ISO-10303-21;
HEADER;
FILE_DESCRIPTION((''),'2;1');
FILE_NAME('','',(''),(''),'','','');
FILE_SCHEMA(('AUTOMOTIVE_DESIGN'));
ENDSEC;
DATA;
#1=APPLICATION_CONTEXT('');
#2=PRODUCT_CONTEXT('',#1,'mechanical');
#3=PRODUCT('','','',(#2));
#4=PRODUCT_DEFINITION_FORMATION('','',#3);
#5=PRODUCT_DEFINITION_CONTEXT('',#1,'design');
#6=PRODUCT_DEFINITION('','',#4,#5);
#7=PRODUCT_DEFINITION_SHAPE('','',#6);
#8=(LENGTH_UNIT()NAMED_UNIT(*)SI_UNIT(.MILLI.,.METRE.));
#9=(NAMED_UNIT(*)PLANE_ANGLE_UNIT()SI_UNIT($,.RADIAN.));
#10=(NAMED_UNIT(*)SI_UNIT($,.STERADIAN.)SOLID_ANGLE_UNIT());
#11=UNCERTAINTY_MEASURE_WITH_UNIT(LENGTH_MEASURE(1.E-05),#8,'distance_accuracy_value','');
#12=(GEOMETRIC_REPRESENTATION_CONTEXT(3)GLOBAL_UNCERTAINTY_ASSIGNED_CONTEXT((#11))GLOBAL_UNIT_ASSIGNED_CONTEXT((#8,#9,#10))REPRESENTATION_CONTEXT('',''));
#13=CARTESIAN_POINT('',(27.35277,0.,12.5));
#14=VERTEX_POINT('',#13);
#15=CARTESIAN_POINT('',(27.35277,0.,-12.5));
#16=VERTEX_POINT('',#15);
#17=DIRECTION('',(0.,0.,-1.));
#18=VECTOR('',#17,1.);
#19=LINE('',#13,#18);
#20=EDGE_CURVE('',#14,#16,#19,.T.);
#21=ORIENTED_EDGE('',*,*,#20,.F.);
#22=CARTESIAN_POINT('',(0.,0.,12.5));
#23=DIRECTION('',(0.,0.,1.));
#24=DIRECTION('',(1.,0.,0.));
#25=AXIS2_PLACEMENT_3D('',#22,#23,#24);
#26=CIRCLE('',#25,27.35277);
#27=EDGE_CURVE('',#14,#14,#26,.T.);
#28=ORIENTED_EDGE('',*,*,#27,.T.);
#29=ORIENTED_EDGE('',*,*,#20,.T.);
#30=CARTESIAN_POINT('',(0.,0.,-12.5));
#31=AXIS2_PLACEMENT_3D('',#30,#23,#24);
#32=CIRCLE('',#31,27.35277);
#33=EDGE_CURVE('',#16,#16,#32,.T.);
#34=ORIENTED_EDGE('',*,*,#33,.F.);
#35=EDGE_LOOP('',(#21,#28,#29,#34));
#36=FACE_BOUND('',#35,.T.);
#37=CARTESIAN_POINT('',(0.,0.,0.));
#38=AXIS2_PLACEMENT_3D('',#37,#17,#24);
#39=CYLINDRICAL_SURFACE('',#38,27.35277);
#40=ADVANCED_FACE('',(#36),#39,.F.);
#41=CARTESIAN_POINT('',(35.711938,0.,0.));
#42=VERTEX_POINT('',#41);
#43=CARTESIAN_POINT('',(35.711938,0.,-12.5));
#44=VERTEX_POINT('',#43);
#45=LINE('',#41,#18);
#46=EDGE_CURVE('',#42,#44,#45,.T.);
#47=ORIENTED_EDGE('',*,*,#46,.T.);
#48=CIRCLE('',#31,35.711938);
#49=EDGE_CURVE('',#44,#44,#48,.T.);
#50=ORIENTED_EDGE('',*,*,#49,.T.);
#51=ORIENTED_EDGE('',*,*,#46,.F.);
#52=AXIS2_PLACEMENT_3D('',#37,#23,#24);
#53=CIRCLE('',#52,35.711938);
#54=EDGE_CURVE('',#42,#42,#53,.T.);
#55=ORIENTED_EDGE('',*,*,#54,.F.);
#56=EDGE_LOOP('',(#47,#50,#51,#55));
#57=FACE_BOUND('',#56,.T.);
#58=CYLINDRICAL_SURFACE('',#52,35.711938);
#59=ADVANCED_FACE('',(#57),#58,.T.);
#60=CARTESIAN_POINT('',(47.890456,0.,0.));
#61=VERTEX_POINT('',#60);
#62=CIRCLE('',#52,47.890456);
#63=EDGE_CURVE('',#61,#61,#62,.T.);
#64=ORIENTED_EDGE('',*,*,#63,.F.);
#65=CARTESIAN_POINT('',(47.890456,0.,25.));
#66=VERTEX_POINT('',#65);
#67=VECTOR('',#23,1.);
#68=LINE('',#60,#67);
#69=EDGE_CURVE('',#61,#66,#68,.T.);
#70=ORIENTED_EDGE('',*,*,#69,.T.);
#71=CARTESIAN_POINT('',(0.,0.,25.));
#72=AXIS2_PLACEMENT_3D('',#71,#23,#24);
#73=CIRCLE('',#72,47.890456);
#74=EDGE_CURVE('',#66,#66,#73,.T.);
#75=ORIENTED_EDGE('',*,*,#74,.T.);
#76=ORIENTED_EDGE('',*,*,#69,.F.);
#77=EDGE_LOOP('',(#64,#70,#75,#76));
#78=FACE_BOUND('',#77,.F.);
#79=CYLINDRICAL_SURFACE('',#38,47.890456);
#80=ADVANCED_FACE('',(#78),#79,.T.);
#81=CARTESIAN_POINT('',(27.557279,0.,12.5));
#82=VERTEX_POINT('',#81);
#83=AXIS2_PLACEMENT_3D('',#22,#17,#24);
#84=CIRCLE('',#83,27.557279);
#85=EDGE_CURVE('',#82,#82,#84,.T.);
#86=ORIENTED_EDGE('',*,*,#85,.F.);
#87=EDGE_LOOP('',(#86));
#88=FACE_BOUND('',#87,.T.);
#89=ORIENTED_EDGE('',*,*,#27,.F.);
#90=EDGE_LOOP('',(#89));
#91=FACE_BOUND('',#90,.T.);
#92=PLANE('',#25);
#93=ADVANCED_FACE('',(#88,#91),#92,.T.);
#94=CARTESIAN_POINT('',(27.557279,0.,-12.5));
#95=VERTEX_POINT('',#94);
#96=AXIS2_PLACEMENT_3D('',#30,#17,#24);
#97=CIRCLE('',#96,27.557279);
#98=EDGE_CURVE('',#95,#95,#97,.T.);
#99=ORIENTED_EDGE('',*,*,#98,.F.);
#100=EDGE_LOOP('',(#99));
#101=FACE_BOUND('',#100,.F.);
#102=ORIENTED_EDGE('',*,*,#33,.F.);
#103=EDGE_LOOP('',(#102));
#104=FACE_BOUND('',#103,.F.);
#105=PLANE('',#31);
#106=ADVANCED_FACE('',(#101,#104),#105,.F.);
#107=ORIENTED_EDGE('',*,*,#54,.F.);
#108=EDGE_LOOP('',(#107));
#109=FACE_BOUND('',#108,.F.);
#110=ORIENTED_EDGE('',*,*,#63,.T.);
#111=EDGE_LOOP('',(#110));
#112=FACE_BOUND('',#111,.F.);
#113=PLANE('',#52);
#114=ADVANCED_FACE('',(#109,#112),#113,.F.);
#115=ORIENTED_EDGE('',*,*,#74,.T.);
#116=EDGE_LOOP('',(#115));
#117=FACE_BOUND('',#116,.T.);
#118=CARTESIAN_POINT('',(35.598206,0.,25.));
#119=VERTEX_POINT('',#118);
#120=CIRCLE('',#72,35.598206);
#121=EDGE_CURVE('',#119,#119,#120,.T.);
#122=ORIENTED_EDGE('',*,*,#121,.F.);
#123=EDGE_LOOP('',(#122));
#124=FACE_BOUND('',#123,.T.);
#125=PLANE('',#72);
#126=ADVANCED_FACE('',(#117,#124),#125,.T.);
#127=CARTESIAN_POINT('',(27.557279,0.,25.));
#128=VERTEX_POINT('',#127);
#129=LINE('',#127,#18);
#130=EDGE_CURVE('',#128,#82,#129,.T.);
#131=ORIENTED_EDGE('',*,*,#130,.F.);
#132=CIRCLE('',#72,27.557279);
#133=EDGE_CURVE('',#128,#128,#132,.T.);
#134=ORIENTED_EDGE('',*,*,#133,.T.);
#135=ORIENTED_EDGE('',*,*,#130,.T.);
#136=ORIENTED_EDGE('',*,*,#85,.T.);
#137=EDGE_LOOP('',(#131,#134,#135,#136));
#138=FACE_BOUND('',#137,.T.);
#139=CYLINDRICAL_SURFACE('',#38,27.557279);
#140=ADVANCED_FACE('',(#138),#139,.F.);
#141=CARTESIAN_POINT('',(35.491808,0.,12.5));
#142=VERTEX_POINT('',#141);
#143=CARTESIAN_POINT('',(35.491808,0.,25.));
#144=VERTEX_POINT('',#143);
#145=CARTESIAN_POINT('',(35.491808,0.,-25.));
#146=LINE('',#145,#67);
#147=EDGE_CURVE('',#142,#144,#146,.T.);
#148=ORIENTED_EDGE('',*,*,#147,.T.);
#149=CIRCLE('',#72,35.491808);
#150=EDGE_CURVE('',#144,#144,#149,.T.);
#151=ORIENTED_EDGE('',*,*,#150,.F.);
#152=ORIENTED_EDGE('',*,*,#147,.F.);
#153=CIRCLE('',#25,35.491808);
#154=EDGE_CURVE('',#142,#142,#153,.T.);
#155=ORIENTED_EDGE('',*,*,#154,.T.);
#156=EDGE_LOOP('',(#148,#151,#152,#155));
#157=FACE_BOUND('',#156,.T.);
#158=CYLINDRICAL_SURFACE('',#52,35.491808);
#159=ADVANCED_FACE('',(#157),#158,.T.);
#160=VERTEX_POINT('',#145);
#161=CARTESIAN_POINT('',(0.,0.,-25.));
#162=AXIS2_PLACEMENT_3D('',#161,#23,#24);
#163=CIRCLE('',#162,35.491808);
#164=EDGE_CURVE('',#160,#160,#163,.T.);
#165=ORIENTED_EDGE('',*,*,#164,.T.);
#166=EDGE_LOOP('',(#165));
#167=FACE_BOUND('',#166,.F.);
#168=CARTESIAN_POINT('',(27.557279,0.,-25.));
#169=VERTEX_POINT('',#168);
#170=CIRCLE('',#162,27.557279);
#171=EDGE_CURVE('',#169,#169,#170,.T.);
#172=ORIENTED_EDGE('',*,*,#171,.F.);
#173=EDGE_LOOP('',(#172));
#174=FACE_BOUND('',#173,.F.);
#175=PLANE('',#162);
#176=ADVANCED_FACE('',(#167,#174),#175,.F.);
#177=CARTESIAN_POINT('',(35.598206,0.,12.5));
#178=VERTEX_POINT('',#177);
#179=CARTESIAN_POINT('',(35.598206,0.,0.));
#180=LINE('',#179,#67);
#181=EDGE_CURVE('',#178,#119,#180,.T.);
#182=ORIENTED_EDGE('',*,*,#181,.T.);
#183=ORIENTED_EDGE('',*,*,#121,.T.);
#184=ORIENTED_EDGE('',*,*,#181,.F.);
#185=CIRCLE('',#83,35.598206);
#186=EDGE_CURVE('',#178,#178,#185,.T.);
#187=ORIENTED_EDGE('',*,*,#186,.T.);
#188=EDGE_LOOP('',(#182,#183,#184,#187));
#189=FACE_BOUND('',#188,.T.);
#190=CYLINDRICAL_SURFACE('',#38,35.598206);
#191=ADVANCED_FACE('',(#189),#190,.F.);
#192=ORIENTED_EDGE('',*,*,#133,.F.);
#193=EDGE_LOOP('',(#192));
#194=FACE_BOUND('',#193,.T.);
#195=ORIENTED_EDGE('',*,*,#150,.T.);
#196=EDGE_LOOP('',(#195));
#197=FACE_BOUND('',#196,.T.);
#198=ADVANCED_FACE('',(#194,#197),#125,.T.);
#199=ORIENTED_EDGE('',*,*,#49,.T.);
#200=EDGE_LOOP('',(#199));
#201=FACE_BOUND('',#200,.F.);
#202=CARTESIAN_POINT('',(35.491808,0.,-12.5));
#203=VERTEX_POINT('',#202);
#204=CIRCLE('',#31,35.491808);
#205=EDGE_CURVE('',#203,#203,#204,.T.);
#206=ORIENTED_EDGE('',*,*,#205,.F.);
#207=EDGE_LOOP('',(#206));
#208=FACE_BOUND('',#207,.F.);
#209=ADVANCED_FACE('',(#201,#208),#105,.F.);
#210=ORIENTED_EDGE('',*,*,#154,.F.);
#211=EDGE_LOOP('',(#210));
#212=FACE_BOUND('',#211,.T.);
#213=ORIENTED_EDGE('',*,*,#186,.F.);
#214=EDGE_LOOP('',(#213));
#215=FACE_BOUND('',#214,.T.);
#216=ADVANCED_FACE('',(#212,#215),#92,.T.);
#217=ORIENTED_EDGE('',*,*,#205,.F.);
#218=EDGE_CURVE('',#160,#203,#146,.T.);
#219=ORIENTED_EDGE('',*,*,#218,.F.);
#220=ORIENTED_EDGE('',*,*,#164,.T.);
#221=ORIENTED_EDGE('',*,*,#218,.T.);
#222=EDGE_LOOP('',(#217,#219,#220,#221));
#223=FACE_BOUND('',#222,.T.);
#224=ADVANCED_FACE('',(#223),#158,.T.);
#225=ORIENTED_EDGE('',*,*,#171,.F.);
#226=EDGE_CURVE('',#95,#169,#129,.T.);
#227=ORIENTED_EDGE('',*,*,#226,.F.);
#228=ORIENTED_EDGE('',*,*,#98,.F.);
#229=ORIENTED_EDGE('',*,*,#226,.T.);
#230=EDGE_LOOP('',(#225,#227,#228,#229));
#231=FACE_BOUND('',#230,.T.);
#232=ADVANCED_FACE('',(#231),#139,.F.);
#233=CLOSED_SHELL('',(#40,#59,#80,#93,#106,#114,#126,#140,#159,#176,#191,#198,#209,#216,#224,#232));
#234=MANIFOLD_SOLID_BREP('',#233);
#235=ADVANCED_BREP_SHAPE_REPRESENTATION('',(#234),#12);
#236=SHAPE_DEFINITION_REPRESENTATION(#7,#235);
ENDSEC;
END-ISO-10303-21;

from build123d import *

# Parameters (mm, degrees)
F0_R     = 47.826909
F0_R_2   = 27.35277
F1_DEPTH = 12.5
F2_R     = 35.491808
F2_R_2   = 27.557279
F3_DEPTH = 25
F4_R     = 47.701189
F4_R_2   = 35.254813
F5_DEPTH = 12.5
F6_R     = 48.078981
F6_R_2   = 35.711938
F7_DEPTH = 25
F8_R     = 47.890456
F8_R_2   = 35.598206
F9_DEPTH = 25


with BuildPart() as f1:
    # F0 (on Top) → F1 (new body, symmetric)
    with BuildSketch(Plane.XY):
        Circle(F0_R)
        Circle(F0_R_2, mode=Mode.SUBTRACT)
    extrude(amount=F1_DEPTH, both=True)

    # F2 (on Top) → F3 (join, symmetric)
    with BuildSketch(Plane.XY):
        Circle(F2_R)
        Circle(F2_R_2, mode=Mode.SUBTRACT)
    extrude(amount=F3_DEPTH, both=True)

    # F4 (on Top) → F5 (join, symmetric)
    with BuildSketch(Plane.XY):
        Circle(F4_R)
        Circle(F4_R_2, mode=Mode.SUBTRACT)
    extrude(amount=F5_DEPTH, both=True)

    # F6 (on Top) → F7 (cut)
    with BuildSketch(Plane.XY):
        Circle(F6_R)
        Circle(F6_R_2, mode=Mode.SUBTRACT)
    extrude(amount=-F7_DEPTH, mode=Mode.SUBTRACT)

    # F8 (on Top) → F9 (join)
    with BuildSketch(Plane.XY):
        Circle(F8_R)
        Circle(F8_R_2, mode=Mode.SUBTRACT)
    extrude(amount=F9_DEPTH)


solid = f1.part
